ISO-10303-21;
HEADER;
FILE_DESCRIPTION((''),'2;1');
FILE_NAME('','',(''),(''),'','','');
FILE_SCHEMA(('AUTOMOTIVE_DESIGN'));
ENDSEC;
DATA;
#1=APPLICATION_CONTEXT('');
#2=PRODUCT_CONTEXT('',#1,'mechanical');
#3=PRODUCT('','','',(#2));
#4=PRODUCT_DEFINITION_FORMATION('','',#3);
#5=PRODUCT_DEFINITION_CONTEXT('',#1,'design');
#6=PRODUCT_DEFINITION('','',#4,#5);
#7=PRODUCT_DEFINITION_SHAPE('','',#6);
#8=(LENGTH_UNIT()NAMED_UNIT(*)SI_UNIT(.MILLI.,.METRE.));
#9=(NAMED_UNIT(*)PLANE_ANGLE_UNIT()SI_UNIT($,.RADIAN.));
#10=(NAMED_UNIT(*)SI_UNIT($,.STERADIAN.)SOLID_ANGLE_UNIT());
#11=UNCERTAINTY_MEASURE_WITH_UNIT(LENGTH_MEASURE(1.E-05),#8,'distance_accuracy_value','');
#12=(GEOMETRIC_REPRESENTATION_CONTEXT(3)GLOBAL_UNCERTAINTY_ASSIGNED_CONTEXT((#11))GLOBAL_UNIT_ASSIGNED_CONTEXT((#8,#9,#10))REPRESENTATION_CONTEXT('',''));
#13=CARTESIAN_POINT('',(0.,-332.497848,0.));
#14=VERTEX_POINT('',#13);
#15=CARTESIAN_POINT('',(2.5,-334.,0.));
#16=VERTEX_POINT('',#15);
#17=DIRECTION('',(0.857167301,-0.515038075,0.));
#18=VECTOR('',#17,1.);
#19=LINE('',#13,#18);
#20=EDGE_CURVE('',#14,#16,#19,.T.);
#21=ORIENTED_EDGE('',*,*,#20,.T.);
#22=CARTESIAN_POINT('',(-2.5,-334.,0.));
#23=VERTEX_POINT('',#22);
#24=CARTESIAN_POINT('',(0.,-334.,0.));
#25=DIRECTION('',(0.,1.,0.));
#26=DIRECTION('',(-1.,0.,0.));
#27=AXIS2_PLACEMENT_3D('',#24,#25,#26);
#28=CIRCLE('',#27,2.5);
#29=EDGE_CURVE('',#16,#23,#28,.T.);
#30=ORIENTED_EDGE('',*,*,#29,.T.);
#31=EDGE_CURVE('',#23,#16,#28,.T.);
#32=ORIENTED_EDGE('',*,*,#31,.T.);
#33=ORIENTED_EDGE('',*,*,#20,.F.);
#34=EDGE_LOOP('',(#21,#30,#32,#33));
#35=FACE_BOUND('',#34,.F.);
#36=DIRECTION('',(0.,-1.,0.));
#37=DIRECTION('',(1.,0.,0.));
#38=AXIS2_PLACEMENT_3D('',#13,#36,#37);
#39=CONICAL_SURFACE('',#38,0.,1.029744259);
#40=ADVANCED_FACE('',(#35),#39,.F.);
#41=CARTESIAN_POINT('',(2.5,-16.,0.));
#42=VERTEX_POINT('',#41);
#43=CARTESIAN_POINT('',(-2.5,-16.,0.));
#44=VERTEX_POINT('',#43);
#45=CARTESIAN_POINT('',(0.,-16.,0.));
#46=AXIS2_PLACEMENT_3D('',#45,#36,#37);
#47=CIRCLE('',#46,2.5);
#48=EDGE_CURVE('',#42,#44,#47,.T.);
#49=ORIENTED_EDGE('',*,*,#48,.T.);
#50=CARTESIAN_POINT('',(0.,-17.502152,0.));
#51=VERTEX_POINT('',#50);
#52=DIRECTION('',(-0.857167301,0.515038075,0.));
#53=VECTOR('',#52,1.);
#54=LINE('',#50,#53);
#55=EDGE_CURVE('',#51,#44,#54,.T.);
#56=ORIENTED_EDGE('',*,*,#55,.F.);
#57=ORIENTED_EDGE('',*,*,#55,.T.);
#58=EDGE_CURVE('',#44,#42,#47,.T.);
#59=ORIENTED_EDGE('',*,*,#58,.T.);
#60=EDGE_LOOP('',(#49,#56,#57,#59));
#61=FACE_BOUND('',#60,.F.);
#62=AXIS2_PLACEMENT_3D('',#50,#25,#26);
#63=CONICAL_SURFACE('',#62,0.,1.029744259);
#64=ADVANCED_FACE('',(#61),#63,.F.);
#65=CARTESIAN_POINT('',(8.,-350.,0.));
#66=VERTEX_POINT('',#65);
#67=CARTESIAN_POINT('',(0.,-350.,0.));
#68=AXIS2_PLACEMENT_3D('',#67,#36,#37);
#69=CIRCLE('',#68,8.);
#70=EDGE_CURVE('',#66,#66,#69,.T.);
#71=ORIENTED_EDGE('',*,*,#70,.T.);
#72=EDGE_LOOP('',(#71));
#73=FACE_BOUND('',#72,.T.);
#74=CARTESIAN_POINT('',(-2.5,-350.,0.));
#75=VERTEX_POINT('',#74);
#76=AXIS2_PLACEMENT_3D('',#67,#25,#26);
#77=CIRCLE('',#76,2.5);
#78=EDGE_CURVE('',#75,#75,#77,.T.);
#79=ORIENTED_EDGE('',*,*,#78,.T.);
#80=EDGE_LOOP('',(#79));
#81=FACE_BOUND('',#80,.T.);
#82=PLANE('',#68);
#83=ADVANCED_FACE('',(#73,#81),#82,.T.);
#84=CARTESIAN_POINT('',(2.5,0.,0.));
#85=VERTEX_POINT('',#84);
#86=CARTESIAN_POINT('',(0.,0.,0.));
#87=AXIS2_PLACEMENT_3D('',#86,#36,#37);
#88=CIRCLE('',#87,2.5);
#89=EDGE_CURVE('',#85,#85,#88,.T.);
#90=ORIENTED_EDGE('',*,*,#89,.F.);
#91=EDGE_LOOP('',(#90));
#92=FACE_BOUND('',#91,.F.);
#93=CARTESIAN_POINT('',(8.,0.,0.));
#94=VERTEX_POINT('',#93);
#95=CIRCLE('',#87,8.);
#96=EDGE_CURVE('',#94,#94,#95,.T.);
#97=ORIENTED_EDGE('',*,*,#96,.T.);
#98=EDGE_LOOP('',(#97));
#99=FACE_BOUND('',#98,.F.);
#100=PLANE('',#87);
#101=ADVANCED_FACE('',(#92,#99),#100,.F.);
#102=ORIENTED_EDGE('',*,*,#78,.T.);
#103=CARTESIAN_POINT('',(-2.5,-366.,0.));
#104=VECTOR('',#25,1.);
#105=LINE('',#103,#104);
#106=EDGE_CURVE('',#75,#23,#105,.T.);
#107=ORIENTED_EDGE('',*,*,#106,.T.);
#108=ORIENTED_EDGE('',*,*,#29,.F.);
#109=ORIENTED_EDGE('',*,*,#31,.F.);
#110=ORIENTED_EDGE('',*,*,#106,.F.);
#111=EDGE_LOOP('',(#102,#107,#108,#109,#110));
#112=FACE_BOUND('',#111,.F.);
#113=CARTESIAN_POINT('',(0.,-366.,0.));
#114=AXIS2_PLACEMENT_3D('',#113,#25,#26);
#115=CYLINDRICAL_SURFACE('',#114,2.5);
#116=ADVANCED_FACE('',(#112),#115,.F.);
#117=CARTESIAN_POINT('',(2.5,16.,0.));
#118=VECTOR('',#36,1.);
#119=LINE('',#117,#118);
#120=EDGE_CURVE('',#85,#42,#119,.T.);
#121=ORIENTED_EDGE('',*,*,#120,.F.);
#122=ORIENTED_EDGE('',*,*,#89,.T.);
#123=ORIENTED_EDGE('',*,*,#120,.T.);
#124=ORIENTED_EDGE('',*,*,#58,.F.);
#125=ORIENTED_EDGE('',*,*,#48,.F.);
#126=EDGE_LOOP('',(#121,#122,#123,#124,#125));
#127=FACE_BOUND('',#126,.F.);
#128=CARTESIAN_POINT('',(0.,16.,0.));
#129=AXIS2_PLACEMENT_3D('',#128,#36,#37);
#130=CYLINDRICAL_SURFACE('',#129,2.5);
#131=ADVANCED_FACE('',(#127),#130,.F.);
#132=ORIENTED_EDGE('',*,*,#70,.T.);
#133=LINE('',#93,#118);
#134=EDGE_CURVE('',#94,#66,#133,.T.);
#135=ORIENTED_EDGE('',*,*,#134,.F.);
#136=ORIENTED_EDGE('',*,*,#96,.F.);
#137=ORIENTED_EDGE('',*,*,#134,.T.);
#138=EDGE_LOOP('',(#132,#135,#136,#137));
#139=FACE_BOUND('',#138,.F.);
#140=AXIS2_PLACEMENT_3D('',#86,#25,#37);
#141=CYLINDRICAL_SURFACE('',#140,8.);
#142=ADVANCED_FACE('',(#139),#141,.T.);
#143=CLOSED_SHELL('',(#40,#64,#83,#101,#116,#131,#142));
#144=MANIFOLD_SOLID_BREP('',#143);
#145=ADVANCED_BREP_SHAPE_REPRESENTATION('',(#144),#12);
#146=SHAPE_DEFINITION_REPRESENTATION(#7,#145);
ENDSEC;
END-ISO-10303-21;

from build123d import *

# Parameters (mm, degrees)
F0_R     = 8
F1_DEPTH = 350
F4_D     = 5
F4_DEPTH = 16
F4_TIP   = 1.5021515476
F6_D     = 5
F6_DEPTH = 16
F6_TIP   = 1.5021515476


with BuildPart() as f1:
    # F0 (on Front) → F1 (new body)
    with BuildSketch(Plane.XZ):
        Circle(F0_R)
    extrude(amount=F1_DEPTH)

    # F4
    with Locations(Plane(origin=(0, 0, 0), x_dir=(-1, 0, 0), z_dir=(0, 1, 0))):
        with Locations((0, 0)):
            Hole(F4_D / 2, depth=F4_DEPTH)
            with Locations((0, 0, -(F4_DEPTH + F4_TIP / 2))):  # 118° drill point
                Cone(0, F4_D / 2, F4_TIP, mode=Mode.SUBTRACT)

    # F6
    with Locations(Plane.XZ.offset(350)):
        with Locations((0, 0)):
            Hole(F6_D / 2, depth=F6_DEPTH)
            with Locations((0, 0, -(F6_DEPTH + F6_TIP / 2))):  # 118° drill point
                Cone(0, F6_D / 2, F6_TIP, mode=Mode.SUBTRACT)


solid = f1.part
